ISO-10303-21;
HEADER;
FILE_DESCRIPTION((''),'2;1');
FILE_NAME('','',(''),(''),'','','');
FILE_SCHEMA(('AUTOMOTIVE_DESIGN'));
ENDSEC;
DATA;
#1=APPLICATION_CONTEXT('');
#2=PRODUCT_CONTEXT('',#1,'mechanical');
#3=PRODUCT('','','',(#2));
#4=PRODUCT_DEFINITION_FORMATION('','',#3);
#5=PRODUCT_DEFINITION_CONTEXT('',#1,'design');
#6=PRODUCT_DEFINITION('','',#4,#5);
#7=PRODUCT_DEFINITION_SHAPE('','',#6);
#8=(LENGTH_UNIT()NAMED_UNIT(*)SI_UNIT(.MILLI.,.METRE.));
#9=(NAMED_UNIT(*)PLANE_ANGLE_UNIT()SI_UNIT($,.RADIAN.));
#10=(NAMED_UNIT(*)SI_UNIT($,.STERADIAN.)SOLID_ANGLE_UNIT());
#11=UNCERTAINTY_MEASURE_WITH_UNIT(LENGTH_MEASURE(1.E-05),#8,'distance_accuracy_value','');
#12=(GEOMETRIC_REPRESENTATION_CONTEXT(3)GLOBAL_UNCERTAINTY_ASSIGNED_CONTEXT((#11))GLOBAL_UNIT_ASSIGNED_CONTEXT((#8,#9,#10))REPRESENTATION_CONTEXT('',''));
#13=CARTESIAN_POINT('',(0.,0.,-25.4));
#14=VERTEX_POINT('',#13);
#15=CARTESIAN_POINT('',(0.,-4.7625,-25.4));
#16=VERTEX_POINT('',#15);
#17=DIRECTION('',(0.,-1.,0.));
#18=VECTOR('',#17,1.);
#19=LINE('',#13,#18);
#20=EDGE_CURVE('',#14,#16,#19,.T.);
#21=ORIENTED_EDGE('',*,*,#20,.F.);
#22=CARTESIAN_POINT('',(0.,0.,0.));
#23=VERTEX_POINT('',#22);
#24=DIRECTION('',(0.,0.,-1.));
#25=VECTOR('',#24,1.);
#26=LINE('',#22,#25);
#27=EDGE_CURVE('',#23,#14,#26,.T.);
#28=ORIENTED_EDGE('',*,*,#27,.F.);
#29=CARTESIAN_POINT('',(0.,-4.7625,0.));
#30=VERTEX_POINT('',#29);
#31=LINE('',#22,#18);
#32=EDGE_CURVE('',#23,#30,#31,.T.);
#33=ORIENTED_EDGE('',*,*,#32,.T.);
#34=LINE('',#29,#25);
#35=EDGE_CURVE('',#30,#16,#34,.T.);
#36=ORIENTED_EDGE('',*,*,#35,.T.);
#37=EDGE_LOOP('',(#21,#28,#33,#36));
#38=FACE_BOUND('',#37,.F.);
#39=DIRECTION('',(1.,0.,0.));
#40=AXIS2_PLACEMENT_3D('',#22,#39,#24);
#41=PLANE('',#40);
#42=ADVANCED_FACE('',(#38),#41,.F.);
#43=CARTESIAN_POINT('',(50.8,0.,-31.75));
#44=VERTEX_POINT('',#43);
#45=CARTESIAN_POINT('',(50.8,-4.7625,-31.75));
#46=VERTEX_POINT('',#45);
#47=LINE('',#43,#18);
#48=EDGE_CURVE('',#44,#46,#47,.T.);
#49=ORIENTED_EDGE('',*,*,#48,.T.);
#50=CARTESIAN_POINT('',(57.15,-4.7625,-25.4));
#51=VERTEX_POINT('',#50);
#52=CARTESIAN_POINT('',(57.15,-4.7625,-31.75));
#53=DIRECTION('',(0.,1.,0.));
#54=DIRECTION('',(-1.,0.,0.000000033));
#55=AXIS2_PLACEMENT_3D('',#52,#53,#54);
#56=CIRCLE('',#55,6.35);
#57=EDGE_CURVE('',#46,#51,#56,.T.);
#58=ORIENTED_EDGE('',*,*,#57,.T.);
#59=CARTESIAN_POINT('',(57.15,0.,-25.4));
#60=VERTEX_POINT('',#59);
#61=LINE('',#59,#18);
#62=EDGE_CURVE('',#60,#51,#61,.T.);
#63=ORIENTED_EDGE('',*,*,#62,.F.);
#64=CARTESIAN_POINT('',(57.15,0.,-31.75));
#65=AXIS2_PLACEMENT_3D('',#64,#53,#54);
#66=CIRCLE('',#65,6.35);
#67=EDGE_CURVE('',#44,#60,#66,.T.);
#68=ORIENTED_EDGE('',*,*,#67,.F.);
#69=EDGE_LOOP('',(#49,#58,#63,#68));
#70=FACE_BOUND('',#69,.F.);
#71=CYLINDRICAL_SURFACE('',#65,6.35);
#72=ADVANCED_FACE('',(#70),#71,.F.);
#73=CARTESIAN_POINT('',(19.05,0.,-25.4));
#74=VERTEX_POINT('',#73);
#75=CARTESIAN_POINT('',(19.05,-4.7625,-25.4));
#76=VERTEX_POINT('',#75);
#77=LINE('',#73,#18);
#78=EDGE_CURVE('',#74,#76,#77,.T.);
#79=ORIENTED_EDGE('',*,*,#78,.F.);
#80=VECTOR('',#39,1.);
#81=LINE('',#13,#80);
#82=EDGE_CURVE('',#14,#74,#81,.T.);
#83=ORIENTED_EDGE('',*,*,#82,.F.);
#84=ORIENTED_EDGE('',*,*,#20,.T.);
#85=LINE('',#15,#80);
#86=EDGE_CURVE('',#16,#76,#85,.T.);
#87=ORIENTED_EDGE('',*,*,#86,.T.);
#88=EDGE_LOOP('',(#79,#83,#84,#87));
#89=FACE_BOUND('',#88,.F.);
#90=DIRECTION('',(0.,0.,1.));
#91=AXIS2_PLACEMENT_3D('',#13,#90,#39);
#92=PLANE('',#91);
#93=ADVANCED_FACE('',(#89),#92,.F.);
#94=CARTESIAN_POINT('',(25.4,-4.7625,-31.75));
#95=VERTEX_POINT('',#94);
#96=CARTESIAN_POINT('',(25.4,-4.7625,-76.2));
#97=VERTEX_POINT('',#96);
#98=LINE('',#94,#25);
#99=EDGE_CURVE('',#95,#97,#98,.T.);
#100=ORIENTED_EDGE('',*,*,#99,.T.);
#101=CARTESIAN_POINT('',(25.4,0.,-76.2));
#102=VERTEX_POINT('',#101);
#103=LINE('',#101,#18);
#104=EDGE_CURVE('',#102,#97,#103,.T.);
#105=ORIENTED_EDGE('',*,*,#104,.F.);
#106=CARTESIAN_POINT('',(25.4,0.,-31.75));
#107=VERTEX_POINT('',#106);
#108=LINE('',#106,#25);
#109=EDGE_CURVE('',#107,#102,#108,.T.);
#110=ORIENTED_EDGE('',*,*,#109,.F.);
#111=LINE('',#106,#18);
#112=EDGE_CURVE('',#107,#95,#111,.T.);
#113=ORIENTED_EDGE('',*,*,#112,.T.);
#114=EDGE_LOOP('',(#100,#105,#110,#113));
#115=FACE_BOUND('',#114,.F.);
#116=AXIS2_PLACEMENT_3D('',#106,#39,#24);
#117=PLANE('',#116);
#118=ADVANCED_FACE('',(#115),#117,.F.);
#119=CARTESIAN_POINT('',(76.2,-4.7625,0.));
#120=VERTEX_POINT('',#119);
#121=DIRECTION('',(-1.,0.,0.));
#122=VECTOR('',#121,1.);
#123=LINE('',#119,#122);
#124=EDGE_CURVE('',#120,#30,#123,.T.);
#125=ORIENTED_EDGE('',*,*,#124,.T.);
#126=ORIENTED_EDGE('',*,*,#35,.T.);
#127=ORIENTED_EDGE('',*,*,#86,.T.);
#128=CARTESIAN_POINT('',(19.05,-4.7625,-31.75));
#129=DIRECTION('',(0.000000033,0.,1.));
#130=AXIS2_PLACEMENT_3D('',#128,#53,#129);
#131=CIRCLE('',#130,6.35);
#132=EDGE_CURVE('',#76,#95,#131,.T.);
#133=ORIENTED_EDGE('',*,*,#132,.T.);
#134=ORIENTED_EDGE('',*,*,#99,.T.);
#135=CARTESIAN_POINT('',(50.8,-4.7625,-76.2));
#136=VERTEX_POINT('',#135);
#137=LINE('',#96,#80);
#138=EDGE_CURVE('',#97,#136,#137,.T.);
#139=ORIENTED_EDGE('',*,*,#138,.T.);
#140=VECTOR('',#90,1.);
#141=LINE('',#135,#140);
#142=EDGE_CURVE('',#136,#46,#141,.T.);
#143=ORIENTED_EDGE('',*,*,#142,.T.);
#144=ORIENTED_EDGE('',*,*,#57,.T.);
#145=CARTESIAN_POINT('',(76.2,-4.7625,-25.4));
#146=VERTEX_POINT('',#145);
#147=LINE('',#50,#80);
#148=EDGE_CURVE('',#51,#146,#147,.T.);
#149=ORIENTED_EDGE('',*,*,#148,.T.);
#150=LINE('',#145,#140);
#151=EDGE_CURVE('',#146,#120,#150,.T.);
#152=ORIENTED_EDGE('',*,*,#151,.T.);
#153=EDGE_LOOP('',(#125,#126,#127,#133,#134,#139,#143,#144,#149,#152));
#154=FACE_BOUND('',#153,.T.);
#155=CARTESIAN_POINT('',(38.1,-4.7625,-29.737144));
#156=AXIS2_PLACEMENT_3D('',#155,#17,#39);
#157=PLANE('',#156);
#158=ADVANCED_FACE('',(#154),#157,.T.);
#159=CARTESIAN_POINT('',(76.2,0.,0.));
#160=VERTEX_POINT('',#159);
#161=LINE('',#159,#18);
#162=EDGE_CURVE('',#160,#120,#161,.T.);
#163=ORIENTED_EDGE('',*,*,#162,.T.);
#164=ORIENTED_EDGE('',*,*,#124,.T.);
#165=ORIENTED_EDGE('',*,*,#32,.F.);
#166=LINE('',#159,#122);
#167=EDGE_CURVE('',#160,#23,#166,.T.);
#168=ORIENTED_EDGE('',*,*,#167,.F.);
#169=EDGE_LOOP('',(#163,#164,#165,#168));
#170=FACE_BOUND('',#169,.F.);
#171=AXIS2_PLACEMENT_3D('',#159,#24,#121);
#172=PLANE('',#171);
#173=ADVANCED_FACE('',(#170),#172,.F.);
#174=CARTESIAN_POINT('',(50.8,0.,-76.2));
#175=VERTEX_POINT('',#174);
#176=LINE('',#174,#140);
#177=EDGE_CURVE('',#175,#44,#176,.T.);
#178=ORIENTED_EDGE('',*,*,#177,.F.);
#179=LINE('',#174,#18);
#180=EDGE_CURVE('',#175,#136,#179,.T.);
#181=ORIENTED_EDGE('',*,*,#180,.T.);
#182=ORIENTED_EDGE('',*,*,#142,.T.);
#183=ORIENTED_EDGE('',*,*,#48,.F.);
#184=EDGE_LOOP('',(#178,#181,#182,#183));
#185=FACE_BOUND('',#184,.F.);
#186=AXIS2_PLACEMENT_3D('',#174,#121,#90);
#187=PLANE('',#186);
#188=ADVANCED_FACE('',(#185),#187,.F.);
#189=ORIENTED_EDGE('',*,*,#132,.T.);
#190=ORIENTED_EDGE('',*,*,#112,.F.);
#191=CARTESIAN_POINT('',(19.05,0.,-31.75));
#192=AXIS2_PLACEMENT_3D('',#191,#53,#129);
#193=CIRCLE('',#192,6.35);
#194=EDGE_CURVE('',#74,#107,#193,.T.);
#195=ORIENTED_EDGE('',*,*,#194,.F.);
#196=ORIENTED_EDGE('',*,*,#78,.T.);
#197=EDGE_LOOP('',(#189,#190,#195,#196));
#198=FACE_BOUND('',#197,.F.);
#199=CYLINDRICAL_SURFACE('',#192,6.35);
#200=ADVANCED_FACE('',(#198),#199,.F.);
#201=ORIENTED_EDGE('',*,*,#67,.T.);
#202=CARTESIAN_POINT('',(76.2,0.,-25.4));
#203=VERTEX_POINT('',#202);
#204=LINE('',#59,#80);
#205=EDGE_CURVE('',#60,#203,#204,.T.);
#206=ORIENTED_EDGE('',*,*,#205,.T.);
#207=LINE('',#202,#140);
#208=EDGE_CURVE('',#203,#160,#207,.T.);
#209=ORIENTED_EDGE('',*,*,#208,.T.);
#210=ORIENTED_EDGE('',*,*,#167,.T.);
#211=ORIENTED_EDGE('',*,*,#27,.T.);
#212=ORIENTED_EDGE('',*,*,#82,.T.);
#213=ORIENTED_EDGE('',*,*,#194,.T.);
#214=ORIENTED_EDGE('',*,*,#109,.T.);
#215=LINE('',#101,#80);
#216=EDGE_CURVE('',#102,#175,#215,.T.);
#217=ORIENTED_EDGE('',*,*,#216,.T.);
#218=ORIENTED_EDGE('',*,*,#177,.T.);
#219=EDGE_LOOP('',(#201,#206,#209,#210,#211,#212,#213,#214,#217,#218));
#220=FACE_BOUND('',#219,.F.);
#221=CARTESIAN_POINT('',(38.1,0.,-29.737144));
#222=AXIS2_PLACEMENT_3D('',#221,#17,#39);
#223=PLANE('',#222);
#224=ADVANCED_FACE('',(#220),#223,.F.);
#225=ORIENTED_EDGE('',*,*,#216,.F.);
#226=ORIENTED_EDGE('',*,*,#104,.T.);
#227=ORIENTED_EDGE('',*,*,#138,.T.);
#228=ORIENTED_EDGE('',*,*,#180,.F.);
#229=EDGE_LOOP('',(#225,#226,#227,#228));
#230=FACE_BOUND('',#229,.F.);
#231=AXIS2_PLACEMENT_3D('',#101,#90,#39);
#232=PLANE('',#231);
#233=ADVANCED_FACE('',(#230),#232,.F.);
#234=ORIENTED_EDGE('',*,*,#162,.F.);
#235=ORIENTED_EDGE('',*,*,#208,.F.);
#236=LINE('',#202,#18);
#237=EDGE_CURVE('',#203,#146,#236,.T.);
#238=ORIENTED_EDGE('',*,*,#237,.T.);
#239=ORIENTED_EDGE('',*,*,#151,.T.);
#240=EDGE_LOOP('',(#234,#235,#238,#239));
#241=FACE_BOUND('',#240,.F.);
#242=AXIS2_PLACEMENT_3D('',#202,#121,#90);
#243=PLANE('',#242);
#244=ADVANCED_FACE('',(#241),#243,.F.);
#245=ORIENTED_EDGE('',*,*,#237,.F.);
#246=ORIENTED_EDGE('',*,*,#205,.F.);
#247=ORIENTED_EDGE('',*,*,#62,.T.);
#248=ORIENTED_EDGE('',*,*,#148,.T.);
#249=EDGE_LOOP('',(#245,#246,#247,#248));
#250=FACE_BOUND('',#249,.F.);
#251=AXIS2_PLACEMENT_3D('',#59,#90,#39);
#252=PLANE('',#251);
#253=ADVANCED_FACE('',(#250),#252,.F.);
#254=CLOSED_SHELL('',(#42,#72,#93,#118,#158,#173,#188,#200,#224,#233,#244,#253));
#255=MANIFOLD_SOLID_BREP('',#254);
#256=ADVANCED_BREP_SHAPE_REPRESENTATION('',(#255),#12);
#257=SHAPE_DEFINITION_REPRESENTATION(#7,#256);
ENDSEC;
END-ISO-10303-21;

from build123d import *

# Parameters (mm, degrees)
F1_DEPTH = 4.7625


with BuildPart() as f1:
    # F0 (on Front) → F1 (new body)
    with BuildSketch(Plane.XZ):
        with BuildLine():
            Line((76.2, 0), (0, 0))
            Line((0, 0), (0, -25.4))
            Line((0, -25.4), (19.05, -25.4))
            ThreePointArc((19.05, -25.4), (23.540128, -27.259872), (25.4, -31.75))
            Line((25.4, -31.75), (25.4, -76.2))
            Line((25.4, -76.2), (50.8, -76.2))
            Line((50.8, -76.2), (50.8, -31.75))
            ThreePointArc((50.8, -31.75), (52.659872, -27.259872), (57.15, -25.4))
            Line((57.15, -25.4), (76.2, -25.4))
            Line((76.2, -25.4), (76.2, 0))
        make_face()
    extrude(amount=F1_DEPTH)


solid = f1.part
